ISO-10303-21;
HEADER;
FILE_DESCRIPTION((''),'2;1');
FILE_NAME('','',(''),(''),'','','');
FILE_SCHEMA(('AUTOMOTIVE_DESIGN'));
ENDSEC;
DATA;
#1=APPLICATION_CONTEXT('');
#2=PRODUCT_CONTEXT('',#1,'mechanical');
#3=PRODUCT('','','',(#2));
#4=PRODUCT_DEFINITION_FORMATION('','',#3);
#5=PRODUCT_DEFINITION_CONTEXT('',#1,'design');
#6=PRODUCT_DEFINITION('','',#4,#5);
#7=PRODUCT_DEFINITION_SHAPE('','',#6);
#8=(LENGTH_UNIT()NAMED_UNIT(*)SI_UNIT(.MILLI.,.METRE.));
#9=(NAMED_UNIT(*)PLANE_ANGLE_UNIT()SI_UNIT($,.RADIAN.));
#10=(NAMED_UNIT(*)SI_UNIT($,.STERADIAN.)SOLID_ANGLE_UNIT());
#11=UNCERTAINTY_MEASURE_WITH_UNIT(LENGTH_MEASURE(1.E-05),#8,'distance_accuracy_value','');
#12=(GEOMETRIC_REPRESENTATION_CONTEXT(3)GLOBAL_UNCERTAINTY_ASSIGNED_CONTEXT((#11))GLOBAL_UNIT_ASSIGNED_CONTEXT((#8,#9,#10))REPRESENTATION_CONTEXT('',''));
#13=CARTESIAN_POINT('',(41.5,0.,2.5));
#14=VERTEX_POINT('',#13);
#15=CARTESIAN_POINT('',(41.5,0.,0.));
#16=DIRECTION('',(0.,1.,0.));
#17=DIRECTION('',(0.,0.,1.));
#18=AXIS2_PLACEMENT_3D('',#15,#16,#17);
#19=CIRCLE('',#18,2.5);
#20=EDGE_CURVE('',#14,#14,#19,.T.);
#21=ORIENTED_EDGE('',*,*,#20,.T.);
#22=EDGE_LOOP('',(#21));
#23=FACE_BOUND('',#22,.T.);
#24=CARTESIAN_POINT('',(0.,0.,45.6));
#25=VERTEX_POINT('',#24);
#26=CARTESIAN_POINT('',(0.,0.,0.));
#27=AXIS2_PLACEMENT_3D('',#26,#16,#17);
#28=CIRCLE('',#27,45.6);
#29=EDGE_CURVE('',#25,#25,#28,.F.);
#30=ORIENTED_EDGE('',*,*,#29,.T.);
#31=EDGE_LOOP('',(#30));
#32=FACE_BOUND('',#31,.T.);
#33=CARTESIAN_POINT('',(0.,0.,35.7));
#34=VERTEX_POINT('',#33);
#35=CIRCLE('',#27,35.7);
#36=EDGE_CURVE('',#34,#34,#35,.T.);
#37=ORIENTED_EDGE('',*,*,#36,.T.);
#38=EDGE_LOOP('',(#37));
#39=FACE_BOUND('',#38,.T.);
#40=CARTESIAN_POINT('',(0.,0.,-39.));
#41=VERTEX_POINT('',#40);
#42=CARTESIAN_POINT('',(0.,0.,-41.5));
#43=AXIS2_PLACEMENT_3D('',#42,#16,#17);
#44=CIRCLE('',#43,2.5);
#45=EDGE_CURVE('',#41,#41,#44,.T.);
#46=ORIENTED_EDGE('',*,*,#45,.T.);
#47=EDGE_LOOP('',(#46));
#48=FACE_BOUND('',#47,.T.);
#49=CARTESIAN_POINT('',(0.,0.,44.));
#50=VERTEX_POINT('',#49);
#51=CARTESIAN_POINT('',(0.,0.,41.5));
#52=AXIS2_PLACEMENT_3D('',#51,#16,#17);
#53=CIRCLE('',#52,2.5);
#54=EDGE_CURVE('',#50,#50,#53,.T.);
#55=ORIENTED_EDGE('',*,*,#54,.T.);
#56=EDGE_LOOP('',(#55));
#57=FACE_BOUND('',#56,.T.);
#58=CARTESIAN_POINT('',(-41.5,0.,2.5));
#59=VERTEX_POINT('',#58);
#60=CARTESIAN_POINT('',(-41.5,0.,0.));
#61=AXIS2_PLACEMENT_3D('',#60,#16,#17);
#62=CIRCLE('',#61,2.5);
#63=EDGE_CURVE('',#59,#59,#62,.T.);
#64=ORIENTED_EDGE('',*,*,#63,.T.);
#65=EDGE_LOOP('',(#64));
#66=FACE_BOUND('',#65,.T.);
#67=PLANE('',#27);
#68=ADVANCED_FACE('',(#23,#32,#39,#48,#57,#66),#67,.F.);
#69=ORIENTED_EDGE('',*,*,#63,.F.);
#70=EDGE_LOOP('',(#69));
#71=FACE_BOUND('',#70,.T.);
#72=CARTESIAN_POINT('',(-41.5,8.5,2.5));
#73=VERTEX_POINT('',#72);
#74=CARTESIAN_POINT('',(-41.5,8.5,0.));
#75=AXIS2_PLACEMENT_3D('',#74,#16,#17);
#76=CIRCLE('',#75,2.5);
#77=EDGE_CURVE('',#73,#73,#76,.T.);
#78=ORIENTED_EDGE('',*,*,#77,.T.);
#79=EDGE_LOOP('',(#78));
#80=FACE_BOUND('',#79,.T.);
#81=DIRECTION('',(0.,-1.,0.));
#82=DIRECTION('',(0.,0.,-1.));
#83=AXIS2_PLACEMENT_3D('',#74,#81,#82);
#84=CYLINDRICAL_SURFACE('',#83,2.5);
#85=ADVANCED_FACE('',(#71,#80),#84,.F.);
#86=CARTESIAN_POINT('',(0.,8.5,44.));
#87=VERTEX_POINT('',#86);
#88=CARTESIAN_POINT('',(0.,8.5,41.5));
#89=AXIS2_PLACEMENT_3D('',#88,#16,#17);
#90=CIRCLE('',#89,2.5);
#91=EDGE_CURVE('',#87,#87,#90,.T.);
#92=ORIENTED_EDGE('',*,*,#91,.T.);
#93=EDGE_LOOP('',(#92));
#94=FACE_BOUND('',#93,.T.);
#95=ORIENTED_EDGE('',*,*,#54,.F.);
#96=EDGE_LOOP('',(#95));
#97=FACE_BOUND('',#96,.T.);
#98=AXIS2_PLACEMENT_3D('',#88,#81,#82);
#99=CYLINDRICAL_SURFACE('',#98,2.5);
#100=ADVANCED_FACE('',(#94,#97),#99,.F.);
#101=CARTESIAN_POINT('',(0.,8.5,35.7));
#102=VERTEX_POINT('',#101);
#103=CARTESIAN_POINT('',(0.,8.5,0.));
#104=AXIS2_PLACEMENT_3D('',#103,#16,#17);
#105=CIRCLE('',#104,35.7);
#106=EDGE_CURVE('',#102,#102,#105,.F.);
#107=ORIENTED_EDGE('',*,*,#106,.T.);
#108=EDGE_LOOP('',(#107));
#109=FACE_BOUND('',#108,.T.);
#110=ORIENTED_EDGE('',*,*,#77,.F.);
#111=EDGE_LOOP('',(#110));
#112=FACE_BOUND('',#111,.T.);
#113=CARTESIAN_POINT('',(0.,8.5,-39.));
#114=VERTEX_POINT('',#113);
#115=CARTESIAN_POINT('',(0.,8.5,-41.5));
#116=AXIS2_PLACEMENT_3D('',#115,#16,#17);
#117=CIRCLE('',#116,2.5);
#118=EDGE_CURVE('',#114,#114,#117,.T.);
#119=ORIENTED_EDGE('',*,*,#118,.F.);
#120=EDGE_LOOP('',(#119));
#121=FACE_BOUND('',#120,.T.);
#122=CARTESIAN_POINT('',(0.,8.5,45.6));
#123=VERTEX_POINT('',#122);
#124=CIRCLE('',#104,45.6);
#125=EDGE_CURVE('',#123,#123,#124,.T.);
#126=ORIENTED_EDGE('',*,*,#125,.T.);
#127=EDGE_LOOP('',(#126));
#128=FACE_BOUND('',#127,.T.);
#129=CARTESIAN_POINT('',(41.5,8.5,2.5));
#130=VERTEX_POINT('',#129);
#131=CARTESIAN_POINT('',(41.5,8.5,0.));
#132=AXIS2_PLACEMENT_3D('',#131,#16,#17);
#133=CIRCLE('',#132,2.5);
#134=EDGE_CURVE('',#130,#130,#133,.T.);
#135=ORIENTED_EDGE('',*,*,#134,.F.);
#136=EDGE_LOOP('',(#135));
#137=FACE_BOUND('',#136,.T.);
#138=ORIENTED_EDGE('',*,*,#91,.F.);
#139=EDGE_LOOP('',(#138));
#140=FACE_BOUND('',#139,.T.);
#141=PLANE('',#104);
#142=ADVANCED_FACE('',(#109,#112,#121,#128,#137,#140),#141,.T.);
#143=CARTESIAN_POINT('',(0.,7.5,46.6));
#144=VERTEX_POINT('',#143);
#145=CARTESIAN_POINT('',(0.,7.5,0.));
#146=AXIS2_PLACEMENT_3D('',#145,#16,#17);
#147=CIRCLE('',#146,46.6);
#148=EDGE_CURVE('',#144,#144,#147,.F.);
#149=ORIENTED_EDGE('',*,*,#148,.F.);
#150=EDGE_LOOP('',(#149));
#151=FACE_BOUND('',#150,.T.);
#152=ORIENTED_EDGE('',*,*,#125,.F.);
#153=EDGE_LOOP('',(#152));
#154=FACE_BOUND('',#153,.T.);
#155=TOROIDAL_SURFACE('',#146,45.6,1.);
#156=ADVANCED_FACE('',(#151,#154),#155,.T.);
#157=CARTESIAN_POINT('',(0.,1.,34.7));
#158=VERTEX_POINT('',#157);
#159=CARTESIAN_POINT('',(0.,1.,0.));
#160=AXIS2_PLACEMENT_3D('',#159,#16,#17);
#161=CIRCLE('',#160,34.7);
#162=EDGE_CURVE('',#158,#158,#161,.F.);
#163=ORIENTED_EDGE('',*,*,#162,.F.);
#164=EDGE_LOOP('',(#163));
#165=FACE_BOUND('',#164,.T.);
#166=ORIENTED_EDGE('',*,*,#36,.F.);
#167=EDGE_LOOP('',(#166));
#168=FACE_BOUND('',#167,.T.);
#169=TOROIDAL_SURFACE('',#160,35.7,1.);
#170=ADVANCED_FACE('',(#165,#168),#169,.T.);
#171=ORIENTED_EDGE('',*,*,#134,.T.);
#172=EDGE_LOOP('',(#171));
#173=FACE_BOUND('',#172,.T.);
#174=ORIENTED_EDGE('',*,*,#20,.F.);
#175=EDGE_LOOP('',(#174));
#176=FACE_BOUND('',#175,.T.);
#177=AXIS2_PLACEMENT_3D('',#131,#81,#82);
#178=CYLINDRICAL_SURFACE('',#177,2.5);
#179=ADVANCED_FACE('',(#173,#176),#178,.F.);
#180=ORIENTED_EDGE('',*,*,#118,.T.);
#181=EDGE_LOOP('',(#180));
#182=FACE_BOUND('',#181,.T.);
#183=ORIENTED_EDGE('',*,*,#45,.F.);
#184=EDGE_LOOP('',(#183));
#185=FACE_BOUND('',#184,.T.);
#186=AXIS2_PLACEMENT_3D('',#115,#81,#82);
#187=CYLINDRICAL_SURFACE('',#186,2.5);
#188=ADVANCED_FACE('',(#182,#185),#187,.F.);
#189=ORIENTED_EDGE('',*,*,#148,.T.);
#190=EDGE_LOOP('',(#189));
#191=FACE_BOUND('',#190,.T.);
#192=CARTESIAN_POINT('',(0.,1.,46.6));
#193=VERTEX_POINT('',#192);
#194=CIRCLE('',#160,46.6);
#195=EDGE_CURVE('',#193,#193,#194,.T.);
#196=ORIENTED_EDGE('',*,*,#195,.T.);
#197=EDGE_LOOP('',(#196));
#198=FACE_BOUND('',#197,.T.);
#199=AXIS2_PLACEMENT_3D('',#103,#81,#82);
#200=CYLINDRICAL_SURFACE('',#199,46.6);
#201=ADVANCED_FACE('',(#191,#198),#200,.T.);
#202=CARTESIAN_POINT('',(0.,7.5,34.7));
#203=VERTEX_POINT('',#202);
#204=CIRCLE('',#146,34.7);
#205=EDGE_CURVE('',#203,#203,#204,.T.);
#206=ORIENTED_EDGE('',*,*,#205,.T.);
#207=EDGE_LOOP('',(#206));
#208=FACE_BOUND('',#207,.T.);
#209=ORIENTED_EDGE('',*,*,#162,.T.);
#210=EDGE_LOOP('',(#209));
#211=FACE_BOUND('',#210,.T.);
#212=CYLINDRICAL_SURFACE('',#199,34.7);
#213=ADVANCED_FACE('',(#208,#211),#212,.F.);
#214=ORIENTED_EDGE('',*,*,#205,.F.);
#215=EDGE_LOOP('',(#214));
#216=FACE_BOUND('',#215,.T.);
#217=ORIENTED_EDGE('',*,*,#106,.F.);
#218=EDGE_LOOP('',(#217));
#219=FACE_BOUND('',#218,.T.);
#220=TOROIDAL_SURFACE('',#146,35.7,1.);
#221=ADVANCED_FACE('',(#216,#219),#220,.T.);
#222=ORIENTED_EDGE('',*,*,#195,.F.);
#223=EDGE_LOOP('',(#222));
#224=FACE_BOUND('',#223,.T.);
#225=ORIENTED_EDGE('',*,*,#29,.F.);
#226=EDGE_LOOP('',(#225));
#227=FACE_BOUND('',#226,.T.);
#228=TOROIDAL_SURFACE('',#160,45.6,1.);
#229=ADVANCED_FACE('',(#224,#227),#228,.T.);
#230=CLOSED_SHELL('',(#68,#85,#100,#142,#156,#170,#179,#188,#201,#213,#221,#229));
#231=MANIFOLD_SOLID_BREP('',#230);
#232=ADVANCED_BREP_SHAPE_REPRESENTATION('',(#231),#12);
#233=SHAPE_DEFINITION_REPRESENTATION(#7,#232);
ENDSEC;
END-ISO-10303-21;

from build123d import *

# Parameters (mm, degrees)
SKETCH1_R           = 46.6
SKETCH1_R_2         = 34.7
SKETCH1_R_3         = 2.5
BOSS_EXTRUDE1_DEPTH = 8.5
FILLET1_R           = 1


with BuildPart() as part:
    # Sketch1 → Boss-Extrude1 (new body)
    with BuildSketch(Plane(origin=(0, 0, 0), x_dir=(1, 0, 0), z_dir=(0, 1, 0))):
        with Locations(Location((0, 0, 0), (0, 0, 270))):
            Circle(SKETCH1_R)
        with Locations(Location((0, 0, 0), (0, 0, 270))):
            Circle(SKETCH1_R_2, mode=Mode.SUBTRACT)
        with Locations(Location((0, 41.5, 0), (0, 0, 270))):
            Circle(SKETCH1_R_3, mode=Mode.SUBTRACT)
        with Locations(Location((41.5, 0, 0), (0, 0, 270))):
            Circle(SKETCH1_R_3, mode=Mode.SUBTRACT)
        with Locations(Location((0, -41.5, 0), (0, 0, 270))):
            Circle(SKETCH1_R_3, mode=Mode.SUBTRACT)
        with Locations(Location((-41.5, 0, 0), (0, 0, 270))):
            Circle(SKETCH1_R_3, mode=Mode.SUBTRACT)
    extrude(amount=BOSS_EXTRUDE1_DEPTH)

    # Fillet1
    fillet1_edges = [part.edges().sort_by_distance(p)[0] for p in [
        (0, 0, -46.6),
        (0, 8.5, -46.6),
        (0, 0, -34.7),
        (0, 8.5, -34.7),
    ]]
    fillet(fillet1_edges, radius=FILLET1_R)


solid = part.part
